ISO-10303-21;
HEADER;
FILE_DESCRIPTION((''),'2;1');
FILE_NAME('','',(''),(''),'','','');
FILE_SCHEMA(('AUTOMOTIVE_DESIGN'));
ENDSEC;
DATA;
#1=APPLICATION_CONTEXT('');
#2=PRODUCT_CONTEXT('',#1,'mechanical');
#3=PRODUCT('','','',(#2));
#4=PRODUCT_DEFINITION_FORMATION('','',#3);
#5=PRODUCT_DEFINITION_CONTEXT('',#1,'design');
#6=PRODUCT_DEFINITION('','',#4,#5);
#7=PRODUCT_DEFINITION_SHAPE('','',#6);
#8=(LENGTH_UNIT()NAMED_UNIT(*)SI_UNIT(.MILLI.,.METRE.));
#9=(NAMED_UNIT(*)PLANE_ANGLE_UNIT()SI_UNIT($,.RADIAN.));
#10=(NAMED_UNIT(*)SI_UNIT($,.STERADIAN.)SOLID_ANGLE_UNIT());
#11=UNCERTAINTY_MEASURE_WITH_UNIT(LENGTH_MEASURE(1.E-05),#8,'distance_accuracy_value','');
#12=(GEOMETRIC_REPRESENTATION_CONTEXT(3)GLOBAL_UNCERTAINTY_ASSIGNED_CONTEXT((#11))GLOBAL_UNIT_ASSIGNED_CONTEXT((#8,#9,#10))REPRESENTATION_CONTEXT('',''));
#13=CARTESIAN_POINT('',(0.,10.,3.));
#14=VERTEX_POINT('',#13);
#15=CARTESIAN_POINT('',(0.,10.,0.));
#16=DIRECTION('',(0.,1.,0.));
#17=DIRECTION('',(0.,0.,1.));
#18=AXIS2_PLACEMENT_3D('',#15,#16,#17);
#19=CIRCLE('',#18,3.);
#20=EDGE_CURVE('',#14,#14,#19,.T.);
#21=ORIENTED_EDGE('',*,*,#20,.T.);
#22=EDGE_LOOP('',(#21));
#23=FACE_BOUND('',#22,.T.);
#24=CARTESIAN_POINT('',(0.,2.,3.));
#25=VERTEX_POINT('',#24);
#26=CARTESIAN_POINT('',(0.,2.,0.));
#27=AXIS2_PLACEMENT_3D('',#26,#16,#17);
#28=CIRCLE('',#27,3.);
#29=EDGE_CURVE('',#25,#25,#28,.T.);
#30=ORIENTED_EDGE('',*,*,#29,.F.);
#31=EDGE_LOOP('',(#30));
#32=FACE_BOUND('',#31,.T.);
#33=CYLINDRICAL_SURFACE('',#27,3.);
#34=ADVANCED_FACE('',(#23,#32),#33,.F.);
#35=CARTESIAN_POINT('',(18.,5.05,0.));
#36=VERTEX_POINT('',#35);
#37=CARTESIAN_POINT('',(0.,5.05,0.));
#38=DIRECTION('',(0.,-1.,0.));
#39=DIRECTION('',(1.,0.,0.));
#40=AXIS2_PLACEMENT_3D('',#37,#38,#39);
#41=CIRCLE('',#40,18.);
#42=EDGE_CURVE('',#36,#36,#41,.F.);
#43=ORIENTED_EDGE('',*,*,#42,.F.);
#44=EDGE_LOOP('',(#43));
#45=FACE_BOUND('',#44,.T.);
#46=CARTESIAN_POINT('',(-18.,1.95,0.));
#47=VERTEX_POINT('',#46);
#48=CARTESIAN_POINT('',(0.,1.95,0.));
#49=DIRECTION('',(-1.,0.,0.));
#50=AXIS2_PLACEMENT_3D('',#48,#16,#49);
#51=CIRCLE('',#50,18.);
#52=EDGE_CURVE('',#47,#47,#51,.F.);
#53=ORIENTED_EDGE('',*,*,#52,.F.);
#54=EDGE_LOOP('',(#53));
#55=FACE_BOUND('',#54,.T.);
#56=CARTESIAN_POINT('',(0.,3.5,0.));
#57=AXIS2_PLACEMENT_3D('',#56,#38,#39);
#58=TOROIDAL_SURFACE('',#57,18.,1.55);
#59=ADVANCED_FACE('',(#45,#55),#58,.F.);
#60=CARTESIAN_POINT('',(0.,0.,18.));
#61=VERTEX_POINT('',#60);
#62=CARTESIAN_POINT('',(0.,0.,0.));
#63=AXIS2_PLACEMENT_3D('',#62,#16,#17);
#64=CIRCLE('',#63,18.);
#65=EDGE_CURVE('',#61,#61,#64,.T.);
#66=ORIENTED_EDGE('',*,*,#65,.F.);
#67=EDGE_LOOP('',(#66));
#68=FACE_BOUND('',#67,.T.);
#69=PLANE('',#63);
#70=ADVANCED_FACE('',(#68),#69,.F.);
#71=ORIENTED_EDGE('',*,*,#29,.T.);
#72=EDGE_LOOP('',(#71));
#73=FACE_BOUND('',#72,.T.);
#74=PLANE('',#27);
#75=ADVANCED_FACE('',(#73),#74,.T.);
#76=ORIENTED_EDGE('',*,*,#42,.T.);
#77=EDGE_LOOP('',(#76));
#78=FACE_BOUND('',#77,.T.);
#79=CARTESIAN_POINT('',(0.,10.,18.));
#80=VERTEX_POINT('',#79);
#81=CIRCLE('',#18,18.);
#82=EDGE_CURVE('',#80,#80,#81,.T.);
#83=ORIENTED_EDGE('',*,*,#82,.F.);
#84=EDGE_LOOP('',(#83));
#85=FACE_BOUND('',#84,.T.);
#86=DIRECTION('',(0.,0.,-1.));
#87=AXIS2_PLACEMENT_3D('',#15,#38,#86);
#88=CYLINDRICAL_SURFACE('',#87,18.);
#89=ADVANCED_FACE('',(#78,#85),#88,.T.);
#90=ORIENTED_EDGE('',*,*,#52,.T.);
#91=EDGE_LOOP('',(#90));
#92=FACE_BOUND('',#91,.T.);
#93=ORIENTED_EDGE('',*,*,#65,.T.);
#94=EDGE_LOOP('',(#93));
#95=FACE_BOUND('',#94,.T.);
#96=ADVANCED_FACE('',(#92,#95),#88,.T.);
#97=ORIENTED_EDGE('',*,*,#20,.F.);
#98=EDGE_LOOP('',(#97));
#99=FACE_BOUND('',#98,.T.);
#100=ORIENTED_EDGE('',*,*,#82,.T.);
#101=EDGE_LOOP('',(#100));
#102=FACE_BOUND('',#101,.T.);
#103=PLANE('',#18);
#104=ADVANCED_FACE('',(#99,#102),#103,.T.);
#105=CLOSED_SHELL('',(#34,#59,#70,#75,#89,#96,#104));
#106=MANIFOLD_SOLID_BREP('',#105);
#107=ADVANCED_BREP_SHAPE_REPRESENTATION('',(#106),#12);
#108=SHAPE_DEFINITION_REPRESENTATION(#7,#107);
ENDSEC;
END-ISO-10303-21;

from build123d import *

# Parameters (mm, degrees)
SKETCH1_R           = 18
BOSS_EXTRUDE1_DEPTH = 10
SKETCH2_R           = 1.55
SKETCH4_R           = 3
CUT_EXTRUDE1_DEPTH  = 8


with BuildPart() as part:
    # Sketch1 → Boss-Extrude1 (new body)
    with BuildSketch(Plane(origin=(0, 0, 0), x_dir=(1, 0, 0), z_dir=(0, 1, 0))):
        Circle(SKETCH1_R)
    extrude(amount=BOSS_EXTRUDE1_DEPTH)

    # Sketch2 → Cut-Revolve1 (revolve, cut)
    with BuildSketch(Plane.XY):
        with Locations((18, 3.5)):
            Circle(SKETCH2_R)
    revolve(axis=Axis((0, 0, 0), (0, 1, 0)), mode=Mode.SUBTRACT)

    # Sketch4 → Cut-Extrude1 (cut)
    with BuildSketch(Plane(origin=(0, 10, 0), x_dir=(1, 0, 0), z_dir=(0, 1, 0))):
        Circle(SKETCH4_R)
    extrude(amount=-CUT_EXTRUDE1_DEPTH, mode=Mode.SUBTRACT)


solid = part.part
